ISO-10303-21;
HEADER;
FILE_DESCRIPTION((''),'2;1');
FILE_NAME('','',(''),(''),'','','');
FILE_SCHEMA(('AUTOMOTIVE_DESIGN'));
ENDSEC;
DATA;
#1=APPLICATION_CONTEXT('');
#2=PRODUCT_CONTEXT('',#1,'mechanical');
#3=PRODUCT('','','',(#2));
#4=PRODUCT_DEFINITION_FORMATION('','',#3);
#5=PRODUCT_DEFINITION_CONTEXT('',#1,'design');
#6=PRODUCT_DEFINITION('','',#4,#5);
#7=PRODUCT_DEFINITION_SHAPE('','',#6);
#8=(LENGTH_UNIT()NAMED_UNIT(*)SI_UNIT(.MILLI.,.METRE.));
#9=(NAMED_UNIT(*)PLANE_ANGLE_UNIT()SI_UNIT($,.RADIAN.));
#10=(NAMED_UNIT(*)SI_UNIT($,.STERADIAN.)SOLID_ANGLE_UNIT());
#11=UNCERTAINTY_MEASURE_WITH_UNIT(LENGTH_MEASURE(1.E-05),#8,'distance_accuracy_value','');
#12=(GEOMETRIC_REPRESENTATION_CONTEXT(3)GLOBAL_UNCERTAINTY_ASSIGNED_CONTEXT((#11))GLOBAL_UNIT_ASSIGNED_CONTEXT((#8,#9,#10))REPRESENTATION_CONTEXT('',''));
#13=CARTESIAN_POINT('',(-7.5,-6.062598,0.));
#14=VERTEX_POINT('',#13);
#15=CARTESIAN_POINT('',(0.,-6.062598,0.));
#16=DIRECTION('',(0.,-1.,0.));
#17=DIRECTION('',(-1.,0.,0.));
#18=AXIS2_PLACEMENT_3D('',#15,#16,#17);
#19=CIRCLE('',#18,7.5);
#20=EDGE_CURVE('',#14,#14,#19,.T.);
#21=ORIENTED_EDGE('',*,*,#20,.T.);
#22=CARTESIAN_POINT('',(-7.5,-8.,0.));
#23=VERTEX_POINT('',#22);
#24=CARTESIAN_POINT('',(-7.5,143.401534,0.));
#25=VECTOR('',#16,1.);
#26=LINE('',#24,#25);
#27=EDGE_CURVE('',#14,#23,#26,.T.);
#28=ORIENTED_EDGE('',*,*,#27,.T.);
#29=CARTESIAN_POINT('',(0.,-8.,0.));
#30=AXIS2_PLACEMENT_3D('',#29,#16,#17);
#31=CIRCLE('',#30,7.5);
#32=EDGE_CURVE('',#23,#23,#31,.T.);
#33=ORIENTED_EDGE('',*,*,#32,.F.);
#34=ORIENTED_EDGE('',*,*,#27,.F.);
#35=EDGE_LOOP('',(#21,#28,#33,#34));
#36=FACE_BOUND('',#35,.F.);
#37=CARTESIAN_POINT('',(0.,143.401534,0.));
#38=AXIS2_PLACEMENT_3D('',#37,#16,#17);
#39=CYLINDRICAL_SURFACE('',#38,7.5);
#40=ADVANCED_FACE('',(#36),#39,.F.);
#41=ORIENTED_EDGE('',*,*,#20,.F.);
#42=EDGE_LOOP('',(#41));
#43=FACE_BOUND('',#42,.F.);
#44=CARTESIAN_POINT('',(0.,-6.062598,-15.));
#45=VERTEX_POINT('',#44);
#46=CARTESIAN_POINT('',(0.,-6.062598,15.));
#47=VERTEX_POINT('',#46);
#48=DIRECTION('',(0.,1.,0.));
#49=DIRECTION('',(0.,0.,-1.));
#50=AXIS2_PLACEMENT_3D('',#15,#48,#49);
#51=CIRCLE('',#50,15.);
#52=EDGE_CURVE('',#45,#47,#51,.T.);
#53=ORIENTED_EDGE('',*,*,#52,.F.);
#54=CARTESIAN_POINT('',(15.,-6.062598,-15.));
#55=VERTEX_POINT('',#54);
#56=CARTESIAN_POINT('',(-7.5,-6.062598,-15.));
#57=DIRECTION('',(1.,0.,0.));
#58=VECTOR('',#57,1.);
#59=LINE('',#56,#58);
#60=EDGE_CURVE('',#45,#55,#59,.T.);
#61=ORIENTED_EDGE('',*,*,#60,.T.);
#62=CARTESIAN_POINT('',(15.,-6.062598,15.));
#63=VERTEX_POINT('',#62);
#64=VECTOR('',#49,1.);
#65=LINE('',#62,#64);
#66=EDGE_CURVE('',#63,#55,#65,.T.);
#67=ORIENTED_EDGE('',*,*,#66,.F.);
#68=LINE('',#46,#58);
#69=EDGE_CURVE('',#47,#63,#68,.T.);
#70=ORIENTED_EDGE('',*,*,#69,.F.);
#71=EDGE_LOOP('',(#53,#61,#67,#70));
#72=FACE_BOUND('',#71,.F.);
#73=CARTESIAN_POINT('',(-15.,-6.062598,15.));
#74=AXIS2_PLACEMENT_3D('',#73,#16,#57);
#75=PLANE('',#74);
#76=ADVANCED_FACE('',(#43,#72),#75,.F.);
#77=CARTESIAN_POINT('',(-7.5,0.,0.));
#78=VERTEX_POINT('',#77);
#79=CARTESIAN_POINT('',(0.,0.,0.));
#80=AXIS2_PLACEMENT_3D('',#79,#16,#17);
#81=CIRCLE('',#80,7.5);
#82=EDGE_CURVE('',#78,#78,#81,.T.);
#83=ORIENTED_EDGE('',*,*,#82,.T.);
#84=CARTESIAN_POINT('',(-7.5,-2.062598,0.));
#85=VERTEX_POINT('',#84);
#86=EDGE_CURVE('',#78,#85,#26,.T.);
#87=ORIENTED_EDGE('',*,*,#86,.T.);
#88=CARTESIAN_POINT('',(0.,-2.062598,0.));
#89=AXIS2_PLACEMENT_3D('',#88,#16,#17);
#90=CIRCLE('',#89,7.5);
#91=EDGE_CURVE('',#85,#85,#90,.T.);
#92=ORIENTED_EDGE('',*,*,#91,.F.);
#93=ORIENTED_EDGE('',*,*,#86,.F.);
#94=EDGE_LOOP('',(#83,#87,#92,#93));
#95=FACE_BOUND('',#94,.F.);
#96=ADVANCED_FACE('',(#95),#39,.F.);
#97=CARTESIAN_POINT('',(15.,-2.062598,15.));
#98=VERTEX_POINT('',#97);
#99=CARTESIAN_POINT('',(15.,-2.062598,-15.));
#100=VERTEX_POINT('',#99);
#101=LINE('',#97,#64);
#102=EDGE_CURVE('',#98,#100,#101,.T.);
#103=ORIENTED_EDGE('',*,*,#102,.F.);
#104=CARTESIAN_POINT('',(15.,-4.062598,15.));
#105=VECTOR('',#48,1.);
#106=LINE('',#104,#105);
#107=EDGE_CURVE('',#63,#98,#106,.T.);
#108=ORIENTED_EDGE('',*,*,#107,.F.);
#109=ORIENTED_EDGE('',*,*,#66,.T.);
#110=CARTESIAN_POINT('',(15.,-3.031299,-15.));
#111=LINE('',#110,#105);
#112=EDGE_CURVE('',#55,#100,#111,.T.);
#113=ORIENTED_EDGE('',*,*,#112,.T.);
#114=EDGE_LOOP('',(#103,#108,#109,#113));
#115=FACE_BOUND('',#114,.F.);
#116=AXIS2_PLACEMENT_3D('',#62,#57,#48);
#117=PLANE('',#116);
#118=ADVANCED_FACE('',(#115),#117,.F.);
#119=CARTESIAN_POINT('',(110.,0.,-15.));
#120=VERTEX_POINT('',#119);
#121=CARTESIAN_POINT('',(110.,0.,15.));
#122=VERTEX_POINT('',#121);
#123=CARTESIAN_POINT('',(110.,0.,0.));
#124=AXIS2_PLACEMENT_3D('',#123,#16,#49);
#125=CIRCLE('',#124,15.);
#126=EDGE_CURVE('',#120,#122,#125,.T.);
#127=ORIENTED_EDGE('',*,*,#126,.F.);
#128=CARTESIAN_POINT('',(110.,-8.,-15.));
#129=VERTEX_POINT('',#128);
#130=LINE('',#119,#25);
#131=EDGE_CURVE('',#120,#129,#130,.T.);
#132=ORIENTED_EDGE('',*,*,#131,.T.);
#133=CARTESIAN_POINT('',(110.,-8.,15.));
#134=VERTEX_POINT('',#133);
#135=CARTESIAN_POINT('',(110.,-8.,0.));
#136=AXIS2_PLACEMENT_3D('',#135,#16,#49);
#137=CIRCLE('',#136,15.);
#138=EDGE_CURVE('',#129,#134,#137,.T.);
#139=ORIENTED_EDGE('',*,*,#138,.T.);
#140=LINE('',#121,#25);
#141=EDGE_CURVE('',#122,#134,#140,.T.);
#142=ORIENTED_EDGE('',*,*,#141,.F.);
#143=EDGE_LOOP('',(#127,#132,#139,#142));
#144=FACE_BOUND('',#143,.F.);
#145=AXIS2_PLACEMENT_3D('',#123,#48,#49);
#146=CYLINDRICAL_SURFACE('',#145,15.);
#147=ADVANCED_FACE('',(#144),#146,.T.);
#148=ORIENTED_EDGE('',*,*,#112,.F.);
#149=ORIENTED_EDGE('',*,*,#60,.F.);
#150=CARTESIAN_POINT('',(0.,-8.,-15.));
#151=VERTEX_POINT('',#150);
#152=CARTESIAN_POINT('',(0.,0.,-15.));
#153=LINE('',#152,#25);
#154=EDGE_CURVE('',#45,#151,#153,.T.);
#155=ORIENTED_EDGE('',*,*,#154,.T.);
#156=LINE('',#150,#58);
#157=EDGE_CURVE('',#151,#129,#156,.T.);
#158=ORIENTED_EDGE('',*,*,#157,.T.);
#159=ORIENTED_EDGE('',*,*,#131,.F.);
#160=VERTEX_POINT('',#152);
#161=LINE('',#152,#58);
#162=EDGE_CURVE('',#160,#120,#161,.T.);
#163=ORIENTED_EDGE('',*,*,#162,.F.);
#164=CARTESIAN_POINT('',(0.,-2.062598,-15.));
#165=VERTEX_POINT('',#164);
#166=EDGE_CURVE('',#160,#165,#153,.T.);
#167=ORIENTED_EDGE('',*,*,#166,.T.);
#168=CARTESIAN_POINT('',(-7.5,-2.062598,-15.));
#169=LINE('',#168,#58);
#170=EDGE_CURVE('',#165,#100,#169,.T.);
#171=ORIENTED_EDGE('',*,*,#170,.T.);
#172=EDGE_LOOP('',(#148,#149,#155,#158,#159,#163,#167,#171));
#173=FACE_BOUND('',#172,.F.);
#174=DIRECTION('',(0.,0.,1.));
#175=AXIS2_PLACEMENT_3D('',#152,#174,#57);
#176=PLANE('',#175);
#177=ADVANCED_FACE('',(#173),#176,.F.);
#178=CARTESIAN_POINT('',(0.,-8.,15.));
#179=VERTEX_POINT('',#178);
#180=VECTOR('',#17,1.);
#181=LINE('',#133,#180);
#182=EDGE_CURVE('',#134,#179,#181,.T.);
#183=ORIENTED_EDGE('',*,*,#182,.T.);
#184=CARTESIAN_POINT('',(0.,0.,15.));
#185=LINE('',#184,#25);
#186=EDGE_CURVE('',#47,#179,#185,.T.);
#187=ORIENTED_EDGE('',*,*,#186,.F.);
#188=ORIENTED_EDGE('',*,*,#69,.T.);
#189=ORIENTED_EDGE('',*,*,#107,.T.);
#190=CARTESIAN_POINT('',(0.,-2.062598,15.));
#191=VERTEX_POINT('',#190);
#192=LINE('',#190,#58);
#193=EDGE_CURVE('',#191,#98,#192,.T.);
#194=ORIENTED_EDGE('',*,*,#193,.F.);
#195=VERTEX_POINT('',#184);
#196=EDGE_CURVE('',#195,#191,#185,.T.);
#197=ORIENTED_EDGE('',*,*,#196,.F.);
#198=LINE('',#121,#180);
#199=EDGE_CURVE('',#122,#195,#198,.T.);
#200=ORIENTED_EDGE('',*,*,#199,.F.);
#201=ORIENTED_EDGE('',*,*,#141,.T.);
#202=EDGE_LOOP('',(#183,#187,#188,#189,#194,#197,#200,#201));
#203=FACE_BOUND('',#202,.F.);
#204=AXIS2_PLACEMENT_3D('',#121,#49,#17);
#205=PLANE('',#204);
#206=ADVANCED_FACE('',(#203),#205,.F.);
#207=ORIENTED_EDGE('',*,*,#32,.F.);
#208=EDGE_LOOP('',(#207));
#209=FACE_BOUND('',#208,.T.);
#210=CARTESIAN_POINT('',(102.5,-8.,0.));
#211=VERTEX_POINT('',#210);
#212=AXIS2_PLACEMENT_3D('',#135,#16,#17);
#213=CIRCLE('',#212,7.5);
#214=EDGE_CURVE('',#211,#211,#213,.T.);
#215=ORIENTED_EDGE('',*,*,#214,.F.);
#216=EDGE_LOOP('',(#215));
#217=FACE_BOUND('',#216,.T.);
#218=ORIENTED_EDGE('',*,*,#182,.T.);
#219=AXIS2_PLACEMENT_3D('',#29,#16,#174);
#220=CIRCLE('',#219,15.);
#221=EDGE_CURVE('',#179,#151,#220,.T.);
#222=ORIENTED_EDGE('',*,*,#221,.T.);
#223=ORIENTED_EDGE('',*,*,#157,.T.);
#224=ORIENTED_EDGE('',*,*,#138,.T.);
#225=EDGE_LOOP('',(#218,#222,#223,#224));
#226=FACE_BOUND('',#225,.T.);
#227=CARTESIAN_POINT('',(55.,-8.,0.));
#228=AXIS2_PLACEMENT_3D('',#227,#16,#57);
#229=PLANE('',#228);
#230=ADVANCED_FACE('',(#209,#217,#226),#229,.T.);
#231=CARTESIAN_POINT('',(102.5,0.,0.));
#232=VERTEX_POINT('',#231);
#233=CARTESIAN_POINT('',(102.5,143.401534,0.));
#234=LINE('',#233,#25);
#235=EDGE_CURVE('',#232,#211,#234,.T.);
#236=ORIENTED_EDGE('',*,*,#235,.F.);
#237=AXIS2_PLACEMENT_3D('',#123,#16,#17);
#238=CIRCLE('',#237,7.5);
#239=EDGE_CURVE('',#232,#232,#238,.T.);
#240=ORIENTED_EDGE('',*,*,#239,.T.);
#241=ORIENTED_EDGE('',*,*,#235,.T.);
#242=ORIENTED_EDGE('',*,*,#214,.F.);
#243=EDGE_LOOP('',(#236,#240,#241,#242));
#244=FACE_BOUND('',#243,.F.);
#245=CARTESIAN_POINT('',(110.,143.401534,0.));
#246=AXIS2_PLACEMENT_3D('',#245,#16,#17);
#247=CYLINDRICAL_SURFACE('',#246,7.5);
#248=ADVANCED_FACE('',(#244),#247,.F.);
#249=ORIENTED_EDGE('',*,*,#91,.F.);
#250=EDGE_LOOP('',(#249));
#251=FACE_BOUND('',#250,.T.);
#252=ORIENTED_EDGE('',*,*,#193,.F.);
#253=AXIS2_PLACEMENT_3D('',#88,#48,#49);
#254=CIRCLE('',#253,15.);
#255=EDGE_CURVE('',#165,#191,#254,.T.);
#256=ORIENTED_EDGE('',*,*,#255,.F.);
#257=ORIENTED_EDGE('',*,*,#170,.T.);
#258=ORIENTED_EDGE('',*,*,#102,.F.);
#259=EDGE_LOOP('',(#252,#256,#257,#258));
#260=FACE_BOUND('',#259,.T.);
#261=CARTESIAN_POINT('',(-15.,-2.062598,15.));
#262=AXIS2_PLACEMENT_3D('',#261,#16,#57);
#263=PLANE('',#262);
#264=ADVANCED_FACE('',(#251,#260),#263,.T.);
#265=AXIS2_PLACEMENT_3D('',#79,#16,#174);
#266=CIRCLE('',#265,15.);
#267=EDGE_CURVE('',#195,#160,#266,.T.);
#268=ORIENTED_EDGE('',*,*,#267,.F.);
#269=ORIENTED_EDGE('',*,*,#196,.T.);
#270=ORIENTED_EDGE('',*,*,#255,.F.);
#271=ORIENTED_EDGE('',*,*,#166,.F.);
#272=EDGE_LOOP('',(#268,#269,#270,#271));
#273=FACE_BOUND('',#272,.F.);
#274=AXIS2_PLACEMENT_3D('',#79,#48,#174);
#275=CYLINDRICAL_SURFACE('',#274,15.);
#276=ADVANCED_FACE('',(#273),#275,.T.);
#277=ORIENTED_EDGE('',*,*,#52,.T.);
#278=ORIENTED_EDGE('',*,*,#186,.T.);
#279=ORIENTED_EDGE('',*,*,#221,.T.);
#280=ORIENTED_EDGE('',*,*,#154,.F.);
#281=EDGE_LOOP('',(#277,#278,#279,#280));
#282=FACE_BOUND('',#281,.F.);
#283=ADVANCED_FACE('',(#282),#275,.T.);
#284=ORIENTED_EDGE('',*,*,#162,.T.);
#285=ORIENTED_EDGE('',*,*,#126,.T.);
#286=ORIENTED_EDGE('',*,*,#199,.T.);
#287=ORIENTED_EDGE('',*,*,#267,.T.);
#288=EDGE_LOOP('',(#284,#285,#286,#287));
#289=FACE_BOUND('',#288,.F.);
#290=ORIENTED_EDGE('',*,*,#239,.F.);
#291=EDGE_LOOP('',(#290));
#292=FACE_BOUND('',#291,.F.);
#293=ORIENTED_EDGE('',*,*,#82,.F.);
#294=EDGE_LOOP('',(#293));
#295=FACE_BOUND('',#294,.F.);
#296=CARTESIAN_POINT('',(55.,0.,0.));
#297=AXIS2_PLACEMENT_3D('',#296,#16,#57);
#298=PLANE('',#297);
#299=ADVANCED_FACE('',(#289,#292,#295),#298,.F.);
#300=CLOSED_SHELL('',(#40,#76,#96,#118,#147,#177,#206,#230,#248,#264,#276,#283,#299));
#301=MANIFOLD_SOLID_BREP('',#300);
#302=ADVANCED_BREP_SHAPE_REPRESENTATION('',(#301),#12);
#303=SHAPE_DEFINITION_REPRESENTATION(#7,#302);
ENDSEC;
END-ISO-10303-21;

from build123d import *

# Parameters (mm, degrees)
F1_DEPTH = 8
F2_D     = 15
F3_D     = 15
F5_W     = 30
F5_H     = 4
F6_DEPTH = 30.001


with BuildPart() as f1:
    # F0 (on Front) → F1 (new body)
    with BuildSketch(Plane.XZ):
        with BuildLine():
            Line((110, 15), (0, 15))
            ThreePointArc((0, 15), (-15, 0), (0, -15))
            Line((0, -15), (110, -15))
            ThreePointArc((110, -15), (125, 0), (110, 15))
        make_face()
    extrude(amount=F1_DEPTH)

    # F2 (through all)
    with Locations(Plane(origin=(0, 0, 0), x_dir=(1, 0, 0), z_dir=(0, 1, 0))):
        with Locations((0, 0)):
            Hole(F2_D / 2)

    # F3 (through all)
    with Locations(Plane(origin=(0, 0, 0), x_dir=(1, 0, 0), z_dir=(0, 1, 0))):
        with Locations((110, 0)):
            Hole(F3_D / 2)

    # F5 (on offset) → F6 (cut, through all)
    with BuildSketch(Plane.XY.offset(15)):
        with Locations((0, -4.0625976841)):
            Rectangle(F5_W, F5_H)
    extrude(amount=-F6_DEPTH, mode=Mode.SUBTRACT)


solid = f1.part
